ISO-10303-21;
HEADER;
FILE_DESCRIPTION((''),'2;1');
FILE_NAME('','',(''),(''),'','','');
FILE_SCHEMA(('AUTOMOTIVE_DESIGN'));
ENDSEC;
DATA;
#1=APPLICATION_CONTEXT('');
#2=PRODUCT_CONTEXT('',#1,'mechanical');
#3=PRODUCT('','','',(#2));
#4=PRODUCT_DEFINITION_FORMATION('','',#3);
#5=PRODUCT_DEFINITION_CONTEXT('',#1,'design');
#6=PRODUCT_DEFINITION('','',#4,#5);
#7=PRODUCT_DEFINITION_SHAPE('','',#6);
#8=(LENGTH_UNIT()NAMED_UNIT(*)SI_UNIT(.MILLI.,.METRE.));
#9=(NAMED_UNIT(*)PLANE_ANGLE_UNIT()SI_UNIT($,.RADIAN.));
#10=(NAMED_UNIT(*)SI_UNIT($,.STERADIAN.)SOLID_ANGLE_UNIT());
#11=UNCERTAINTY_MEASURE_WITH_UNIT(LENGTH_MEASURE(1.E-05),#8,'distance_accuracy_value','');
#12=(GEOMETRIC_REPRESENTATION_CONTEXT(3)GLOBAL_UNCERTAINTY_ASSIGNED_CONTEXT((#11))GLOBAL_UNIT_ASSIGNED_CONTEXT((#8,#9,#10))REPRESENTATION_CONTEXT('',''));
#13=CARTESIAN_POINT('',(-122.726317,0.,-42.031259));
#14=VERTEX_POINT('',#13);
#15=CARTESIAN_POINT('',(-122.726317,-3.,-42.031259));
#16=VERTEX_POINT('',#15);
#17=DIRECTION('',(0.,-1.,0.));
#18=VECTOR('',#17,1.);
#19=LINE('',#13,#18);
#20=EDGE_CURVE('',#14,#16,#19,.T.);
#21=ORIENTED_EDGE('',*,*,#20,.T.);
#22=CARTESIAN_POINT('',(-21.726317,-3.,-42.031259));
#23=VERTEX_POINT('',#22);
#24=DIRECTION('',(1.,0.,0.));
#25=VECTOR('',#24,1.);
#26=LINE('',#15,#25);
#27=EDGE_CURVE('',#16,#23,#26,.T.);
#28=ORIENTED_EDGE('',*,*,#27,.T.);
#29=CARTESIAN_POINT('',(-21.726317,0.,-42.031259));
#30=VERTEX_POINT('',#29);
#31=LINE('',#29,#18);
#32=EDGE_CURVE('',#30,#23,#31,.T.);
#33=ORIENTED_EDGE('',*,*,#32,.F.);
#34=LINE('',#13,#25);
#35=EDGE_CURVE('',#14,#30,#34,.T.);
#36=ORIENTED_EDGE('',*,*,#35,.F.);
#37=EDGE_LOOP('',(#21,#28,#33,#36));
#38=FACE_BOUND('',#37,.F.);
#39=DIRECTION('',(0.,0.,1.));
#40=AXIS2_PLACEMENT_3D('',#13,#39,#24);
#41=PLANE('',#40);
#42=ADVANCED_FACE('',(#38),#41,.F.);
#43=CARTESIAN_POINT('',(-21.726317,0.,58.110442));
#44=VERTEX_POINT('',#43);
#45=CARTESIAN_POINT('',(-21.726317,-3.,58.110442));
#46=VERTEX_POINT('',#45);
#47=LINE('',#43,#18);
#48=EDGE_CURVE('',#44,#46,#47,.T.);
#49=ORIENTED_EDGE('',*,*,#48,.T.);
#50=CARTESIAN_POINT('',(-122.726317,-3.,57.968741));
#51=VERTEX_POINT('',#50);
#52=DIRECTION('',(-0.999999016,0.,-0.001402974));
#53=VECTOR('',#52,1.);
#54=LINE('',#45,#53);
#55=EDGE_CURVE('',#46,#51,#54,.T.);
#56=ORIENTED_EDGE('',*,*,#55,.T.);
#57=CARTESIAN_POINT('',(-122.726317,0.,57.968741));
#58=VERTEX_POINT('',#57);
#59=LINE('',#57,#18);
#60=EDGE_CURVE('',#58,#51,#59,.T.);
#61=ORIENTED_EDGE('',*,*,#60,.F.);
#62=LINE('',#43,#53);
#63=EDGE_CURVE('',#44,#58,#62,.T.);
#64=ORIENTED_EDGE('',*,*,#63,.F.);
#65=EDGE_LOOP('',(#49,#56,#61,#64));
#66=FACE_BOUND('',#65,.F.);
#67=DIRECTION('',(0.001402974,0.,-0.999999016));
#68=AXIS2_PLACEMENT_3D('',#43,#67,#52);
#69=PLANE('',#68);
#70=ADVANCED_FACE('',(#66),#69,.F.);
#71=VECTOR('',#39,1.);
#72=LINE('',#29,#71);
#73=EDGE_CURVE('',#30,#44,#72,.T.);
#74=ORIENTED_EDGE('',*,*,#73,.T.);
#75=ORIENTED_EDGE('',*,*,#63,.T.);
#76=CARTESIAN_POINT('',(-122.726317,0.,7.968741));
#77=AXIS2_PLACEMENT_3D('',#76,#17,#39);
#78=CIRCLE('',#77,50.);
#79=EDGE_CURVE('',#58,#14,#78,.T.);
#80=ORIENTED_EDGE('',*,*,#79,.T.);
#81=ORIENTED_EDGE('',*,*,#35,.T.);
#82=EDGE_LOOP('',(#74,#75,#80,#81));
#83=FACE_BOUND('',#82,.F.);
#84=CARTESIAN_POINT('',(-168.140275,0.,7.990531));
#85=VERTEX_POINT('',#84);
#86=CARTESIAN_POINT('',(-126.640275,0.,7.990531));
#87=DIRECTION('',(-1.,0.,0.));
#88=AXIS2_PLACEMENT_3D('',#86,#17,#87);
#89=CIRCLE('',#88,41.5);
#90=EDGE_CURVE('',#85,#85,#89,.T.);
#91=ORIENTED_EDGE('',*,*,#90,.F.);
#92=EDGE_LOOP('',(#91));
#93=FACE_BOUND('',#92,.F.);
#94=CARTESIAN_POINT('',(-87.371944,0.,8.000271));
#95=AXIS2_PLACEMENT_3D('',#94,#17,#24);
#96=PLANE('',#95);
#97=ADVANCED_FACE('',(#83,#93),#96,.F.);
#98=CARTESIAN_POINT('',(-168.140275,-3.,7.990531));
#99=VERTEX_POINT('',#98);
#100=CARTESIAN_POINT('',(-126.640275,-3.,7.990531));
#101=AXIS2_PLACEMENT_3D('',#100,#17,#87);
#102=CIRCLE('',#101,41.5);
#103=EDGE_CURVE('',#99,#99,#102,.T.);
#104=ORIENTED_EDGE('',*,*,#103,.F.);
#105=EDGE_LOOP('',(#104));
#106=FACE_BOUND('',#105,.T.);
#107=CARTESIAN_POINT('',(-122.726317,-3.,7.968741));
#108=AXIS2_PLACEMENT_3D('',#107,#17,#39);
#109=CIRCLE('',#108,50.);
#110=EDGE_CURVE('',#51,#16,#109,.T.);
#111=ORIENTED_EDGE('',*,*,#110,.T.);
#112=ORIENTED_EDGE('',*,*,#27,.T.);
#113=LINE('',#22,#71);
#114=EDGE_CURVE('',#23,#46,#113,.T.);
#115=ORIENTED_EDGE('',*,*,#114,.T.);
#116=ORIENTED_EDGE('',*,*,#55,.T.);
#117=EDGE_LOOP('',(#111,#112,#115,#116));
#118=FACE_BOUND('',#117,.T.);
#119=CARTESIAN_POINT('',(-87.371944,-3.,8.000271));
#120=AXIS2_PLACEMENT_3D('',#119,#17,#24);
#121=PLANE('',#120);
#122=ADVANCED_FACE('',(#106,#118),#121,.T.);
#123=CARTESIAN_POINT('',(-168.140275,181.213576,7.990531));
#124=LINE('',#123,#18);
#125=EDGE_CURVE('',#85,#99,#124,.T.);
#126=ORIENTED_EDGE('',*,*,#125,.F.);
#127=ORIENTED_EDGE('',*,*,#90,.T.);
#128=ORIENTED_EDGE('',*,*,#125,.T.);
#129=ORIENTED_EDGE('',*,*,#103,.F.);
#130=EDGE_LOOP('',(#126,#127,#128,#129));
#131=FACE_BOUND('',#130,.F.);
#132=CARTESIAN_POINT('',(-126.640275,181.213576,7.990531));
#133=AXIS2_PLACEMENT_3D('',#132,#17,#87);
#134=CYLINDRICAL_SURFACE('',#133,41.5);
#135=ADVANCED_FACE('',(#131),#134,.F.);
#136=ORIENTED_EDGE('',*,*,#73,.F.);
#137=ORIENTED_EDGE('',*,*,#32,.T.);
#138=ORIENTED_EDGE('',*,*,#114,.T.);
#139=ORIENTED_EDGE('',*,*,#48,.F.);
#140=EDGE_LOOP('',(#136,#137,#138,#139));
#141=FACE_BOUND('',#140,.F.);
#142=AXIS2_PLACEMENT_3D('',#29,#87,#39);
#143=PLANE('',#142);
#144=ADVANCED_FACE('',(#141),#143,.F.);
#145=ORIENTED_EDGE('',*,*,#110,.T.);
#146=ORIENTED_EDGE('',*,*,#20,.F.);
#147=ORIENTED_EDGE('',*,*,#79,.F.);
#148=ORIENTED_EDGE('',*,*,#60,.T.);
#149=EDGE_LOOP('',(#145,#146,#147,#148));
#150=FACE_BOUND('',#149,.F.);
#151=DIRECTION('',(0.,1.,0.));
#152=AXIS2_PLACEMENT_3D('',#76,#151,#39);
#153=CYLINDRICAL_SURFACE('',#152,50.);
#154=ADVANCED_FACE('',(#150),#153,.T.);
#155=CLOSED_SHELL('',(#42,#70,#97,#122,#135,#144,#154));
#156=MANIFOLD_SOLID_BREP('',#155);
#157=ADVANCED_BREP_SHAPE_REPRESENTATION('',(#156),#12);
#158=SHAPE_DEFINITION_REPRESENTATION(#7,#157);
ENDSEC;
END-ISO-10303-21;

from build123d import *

# Parameters (mm, degrees)
F2_DEPTH = 3
F3_D     = 83


with BuildPart() as f2:
    # F0 (on Front) → F2 (new body)
    with BuildSketch(Plane.XZ):
        with BuildLine():
            Line((-21.7263168246, 58.1104420125), (-122.7263168246, 57.9687414691))
            ThreePointArc((-122.7263168246, 57.9687414691), (-172.7263168246, 7.9687414691), (-122.7263168246, -42.0312585309))
            Line((-122.7263168246, -42.0312585309), (-21.7263168246, -42.0312585309))
            Line((-21.7263168246, -42.0312585309), (-21.7263168246, 57.9687414691))
            Line((-21.7263168246, 57.9687414691), (-21.7263168246, 57.9720512033))
            Line((-21.7263168246, 57.9720512033), (-21.7263168246, 58.1104420125))
        make_face()
    extrude(amount=F2_DEPTH)

    # F3 (through all)
    with Locations(Plane(origin=(0, 0, 0), x_dir=(1, 0, 0), z_dir=(0, 1, 0))):
        with Locations((-126.6402751207, -7.990530692)):
            Hole(F3_D / 2)


solid = f2.part
